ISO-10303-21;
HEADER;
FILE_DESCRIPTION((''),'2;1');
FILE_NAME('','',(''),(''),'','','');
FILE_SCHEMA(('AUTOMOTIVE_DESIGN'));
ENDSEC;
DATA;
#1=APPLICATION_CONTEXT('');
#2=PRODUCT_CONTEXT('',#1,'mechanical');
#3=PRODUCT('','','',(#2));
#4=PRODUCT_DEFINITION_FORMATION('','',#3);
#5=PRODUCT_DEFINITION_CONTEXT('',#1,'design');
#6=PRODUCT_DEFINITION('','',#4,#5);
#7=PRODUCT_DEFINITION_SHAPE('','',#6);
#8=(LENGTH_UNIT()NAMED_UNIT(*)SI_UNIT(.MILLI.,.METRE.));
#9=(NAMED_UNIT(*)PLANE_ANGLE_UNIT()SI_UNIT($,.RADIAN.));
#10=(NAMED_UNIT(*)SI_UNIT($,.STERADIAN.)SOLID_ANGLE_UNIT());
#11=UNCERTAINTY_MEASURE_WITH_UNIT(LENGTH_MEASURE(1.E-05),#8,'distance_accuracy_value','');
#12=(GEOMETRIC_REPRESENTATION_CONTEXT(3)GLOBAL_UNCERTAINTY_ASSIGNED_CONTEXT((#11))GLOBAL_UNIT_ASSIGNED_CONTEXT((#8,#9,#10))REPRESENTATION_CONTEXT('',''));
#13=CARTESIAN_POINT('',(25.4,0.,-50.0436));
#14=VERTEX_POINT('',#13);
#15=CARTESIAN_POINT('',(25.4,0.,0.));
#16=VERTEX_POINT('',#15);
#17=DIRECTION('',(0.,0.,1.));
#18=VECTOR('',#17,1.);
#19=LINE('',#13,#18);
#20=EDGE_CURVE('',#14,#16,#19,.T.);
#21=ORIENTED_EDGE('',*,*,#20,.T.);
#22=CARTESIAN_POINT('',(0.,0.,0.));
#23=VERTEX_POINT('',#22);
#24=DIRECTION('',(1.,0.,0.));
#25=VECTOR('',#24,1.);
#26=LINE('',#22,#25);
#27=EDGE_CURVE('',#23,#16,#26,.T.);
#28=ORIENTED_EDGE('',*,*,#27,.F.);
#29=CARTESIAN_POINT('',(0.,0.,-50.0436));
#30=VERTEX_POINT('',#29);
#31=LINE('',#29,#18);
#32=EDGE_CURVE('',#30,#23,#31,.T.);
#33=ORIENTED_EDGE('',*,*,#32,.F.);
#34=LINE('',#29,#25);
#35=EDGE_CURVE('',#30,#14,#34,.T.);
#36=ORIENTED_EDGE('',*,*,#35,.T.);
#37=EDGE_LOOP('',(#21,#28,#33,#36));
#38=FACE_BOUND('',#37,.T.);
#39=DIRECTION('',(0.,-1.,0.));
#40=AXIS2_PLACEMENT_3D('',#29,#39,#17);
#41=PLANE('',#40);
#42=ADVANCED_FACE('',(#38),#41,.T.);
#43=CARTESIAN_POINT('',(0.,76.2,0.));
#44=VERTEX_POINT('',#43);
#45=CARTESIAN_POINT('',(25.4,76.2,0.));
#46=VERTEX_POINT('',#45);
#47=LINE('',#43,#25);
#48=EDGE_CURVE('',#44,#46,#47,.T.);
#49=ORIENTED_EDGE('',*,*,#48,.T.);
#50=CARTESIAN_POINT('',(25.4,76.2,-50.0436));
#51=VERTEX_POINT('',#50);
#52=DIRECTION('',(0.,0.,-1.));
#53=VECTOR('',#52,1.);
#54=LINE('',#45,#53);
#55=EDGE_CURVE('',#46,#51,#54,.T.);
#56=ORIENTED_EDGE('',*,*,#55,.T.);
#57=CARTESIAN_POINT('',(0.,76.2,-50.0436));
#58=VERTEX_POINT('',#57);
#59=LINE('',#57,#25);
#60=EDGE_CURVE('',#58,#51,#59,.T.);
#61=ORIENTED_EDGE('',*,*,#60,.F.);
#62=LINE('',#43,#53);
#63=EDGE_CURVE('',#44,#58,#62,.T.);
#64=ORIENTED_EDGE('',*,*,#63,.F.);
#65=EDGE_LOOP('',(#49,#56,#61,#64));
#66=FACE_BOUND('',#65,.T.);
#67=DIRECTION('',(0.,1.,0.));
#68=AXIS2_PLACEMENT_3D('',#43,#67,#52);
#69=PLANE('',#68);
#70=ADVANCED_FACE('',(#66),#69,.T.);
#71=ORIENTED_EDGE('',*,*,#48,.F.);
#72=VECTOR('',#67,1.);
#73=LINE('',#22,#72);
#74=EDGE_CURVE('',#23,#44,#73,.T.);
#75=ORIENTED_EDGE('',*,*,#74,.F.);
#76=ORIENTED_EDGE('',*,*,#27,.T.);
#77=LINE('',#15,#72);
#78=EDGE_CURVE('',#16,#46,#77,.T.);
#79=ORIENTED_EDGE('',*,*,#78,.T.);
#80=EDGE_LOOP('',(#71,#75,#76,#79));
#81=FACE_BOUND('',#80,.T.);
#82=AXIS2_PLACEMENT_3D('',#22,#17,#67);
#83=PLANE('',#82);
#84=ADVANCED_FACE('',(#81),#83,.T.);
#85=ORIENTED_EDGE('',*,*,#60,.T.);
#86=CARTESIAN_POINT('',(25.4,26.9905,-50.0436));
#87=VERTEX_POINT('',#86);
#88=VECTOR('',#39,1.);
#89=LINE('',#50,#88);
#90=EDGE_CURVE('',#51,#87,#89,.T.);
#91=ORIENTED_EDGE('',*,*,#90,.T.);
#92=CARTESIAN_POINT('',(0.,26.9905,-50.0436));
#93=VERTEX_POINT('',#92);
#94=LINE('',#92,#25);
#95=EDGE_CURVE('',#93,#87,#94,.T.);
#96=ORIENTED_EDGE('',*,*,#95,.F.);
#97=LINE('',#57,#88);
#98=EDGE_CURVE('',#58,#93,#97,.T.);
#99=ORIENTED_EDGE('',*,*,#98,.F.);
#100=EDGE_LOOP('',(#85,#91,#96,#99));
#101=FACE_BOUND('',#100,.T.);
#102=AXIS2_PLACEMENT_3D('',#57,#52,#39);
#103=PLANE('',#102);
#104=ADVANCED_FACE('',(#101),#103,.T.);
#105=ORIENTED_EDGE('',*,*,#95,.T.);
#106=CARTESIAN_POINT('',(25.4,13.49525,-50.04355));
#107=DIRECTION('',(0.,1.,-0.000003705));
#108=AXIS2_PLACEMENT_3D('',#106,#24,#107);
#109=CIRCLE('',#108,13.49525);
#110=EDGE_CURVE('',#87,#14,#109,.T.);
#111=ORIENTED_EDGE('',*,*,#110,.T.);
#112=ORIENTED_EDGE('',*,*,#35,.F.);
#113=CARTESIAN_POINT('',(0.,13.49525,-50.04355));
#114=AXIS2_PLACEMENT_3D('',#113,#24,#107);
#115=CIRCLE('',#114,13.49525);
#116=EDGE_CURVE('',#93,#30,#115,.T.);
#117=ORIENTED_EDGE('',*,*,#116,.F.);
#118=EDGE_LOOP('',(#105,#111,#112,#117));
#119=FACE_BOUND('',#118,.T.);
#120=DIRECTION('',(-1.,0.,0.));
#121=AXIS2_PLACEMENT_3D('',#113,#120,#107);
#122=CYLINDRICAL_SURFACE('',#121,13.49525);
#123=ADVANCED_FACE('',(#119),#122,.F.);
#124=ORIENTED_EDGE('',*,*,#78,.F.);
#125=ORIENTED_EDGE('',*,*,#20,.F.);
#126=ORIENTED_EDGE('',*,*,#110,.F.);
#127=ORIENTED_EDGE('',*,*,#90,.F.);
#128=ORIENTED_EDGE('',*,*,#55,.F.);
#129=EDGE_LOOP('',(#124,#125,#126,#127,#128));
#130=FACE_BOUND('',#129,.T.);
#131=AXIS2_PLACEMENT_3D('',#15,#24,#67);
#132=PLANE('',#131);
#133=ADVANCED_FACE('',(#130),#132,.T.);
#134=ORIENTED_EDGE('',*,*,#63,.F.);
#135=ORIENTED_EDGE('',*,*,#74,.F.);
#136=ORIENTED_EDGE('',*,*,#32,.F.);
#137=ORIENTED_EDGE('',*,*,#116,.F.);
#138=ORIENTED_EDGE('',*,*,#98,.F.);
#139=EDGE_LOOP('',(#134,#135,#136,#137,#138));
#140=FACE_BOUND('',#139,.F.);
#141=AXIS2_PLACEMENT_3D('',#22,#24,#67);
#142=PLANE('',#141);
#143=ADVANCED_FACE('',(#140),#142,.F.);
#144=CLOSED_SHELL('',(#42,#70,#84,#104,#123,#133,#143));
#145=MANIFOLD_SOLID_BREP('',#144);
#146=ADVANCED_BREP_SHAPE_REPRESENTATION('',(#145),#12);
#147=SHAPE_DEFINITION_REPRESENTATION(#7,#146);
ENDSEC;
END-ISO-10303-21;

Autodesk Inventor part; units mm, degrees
ref_plane "YZ Plane" through (0, 0, 0) normal (1, 0, 0) x (0, 1, 0)
ref_plane "XZ Plane" through (0, 0, 0) normal (0, 1, 0) x (-1, 0, 0)
ref_plane "XY Plane" through (0, 0, 0) normal (0, 0, 1) x (1, 0, 0)
sketch "Sketch1" plane through (0, 0, 0) normal (1, 0, 0) x (0, 1, 0)
  line L0 (0, 0) -> (76.2, 0)
  line L1 (76.2, 0) -> (76.2, -50.0436)
  line L2 (76.2, -50.0436) -> (0, -50.0436)
  line L3 (0, -50.0436) -> (0, 0)
  arc A0 (26.9905, -50.0436) -> (0, -50.0436) centre (13.4952, -50.0436) ccw
  dimension "d0" = 76.2
extrude "Extrusion1" add sketch "Sketch1" along normal blind 25.4 contours L0 L1 L2 A0 L3
properties part number "holding unit"
